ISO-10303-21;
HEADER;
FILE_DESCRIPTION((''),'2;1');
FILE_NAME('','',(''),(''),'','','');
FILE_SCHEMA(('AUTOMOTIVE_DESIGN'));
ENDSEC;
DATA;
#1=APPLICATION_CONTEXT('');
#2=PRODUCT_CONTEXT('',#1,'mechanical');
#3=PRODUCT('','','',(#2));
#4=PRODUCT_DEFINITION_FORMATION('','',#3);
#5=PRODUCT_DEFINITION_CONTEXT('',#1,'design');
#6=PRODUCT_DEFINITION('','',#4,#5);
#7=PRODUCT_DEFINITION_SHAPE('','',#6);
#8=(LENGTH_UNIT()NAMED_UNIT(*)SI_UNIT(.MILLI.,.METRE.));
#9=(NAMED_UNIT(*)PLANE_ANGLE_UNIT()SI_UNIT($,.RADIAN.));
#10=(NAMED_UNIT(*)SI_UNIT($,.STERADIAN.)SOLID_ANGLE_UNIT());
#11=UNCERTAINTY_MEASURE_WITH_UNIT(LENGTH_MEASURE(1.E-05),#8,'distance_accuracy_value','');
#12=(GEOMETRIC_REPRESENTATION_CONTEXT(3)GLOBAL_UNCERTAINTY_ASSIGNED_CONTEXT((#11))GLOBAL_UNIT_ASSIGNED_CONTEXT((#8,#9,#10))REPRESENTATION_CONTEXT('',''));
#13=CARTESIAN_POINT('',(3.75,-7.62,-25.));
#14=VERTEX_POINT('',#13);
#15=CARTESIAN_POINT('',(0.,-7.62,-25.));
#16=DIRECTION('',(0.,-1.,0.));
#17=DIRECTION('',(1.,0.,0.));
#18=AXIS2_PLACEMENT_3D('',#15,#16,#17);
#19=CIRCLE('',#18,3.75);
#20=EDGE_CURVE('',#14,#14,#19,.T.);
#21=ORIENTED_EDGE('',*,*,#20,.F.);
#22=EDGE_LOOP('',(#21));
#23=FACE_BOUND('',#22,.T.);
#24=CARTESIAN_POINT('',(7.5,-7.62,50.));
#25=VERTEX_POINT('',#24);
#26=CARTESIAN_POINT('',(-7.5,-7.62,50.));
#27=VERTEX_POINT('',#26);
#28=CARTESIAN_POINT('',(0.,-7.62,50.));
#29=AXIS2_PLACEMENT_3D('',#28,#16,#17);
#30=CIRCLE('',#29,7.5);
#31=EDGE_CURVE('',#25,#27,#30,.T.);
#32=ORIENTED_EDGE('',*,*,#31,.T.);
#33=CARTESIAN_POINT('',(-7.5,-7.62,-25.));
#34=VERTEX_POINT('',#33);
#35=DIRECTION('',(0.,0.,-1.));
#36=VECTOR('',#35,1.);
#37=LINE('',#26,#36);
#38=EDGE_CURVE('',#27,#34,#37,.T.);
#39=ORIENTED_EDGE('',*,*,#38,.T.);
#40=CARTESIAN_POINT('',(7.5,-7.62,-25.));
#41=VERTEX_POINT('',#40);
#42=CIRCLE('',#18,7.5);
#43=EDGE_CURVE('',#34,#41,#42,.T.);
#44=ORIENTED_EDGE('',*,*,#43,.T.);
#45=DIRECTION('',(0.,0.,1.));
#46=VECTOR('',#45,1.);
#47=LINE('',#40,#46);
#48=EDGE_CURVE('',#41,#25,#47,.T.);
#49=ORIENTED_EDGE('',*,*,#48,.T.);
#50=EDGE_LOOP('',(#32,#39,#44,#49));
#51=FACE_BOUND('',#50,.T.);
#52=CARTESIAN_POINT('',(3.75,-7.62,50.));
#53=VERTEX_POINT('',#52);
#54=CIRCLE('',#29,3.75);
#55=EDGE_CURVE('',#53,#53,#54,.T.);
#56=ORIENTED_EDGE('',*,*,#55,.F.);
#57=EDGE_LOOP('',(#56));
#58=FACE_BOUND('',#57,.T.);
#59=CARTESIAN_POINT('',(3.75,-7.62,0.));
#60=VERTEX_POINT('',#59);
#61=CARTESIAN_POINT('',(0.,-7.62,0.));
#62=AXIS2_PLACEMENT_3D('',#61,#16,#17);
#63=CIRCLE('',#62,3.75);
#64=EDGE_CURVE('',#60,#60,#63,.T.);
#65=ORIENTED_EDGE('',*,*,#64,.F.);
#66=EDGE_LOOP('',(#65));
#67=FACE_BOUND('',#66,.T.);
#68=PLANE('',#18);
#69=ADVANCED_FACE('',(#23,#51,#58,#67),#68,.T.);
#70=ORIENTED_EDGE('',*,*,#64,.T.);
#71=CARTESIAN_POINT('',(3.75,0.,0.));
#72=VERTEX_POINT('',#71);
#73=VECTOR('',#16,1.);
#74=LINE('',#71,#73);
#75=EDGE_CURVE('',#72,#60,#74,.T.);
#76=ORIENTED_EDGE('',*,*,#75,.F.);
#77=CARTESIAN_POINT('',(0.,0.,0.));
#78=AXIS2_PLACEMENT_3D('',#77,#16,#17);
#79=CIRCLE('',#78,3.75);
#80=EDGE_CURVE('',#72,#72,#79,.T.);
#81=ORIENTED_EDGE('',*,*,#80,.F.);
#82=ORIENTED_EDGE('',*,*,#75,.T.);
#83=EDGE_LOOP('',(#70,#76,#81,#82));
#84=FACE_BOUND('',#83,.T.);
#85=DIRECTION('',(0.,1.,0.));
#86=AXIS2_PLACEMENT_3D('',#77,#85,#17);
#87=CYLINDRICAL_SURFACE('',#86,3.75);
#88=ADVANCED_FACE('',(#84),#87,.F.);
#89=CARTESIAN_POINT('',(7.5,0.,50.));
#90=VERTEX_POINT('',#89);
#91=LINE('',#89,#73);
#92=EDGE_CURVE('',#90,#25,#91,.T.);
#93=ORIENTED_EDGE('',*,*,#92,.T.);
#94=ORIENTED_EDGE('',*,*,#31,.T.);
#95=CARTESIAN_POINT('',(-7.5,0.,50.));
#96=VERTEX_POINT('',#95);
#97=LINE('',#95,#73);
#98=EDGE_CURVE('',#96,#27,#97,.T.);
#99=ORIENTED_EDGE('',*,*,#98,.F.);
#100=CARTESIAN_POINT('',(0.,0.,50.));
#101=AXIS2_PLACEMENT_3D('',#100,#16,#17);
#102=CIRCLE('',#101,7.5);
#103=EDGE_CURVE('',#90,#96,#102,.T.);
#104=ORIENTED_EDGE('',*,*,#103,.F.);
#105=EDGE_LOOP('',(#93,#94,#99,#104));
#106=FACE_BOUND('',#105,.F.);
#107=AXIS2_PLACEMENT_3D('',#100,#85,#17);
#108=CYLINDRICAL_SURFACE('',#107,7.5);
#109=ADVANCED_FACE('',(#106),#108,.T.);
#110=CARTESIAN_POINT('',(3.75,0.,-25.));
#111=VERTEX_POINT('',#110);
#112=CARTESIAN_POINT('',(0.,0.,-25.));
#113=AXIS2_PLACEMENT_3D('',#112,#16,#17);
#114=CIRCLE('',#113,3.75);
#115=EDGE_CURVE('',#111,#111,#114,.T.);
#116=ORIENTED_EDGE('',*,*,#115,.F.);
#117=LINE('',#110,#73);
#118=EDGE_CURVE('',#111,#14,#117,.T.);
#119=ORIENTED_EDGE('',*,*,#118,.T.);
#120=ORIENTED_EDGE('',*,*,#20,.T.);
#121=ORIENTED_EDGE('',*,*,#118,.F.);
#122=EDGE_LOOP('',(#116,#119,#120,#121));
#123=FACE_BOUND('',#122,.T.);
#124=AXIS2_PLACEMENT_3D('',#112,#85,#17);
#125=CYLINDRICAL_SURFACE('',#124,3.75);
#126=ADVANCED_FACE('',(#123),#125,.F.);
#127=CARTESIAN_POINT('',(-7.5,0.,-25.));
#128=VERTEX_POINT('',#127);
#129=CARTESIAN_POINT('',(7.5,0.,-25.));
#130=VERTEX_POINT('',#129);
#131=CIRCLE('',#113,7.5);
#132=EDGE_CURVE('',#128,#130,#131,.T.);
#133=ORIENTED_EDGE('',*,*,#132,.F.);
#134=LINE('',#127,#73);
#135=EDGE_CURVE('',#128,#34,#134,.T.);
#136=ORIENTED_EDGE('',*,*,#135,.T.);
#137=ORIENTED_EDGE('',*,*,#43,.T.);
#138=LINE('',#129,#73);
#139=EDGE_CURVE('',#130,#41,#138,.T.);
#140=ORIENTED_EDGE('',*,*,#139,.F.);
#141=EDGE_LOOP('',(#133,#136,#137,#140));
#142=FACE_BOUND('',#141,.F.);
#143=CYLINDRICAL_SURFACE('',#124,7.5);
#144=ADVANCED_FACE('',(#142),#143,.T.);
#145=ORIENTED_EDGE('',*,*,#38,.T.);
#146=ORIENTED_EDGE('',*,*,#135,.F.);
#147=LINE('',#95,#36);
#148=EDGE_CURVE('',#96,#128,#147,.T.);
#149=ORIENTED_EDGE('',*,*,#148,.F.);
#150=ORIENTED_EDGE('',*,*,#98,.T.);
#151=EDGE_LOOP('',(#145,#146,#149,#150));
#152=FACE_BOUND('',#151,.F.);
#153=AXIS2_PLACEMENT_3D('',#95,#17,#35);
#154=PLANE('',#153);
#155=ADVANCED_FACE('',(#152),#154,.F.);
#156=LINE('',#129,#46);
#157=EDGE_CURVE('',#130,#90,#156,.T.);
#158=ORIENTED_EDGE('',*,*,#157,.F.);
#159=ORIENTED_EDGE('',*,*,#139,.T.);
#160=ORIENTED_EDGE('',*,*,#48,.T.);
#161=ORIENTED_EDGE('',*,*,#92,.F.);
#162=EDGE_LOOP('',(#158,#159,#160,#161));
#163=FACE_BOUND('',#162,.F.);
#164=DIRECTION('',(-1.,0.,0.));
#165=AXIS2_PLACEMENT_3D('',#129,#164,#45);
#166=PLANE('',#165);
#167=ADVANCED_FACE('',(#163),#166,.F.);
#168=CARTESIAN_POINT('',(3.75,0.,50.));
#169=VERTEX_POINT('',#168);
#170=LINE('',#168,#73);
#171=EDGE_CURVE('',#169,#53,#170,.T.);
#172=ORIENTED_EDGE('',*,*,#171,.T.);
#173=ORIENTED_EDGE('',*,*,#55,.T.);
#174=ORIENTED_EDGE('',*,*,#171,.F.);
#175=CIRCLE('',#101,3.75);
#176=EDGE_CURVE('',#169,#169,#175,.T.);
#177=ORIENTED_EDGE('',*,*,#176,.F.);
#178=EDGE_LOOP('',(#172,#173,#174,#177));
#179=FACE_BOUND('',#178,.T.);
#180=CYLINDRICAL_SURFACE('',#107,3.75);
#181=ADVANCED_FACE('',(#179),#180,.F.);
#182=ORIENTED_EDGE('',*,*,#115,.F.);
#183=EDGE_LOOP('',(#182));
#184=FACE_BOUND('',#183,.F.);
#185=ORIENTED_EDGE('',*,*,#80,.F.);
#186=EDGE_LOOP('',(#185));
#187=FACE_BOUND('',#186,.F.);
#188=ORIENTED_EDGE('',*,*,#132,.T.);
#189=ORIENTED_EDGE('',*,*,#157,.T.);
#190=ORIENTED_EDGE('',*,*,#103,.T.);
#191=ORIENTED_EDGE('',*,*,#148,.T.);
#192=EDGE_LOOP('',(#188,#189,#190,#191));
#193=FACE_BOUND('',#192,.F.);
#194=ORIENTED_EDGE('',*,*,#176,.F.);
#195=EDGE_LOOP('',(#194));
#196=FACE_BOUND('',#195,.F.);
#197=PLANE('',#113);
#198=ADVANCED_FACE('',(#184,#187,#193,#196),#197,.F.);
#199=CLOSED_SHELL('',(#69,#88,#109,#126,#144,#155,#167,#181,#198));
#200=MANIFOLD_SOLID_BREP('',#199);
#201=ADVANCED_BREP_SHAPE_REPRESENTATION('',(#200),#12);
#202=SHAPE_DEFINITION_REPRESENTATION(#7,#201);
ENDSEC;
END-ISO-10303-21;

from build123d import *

# Parameters (mm, degrees)
F0_R     = 3.75
F1_DEPTH = 7.62


with BuildPart() as f1:
    # F0 (on Front) → F1 (new body)
    with BuildSketch(Plane.XZ):
        with BuildLine():
            ThreePointArc((-7.5, -25), (0, -32.5), (7.5, -25))
            ThreePointArc((7.5, -25), (0, -17.5), (-7.5, -25))
        make_face()
        with Locations((0, -25)):
            Circle(F0_R, mode=Mode.SUBTRACT)
        with BuildLine():
            ThreePointArc((-7.5, -25), (0, -17.5), (7.5, -25))
            Line((7.5, -25), (7.5, 50))
            ThreePointArc((7.5, 50), (0, 42.5), (-7.5, 50))
            Line((-7.5, 50), (-7.5, -25))
        make_face()
        Circle(F0_R, mode=Mode.SUBTRACT)
        with BuildLine():
            ThreePointArc((-7.5, 50), (0, 42.5), (7.5, 50))
            ThreePointArc((7.5, 50), (0, 57.5), (-7.5, 50))
        make_face()
        with Locations((0, 50)):
            Circle(F0_R, mode=Mode.SUBTRACT)
    extrude(amount=F1_DEPTH)


solid = f1.part
